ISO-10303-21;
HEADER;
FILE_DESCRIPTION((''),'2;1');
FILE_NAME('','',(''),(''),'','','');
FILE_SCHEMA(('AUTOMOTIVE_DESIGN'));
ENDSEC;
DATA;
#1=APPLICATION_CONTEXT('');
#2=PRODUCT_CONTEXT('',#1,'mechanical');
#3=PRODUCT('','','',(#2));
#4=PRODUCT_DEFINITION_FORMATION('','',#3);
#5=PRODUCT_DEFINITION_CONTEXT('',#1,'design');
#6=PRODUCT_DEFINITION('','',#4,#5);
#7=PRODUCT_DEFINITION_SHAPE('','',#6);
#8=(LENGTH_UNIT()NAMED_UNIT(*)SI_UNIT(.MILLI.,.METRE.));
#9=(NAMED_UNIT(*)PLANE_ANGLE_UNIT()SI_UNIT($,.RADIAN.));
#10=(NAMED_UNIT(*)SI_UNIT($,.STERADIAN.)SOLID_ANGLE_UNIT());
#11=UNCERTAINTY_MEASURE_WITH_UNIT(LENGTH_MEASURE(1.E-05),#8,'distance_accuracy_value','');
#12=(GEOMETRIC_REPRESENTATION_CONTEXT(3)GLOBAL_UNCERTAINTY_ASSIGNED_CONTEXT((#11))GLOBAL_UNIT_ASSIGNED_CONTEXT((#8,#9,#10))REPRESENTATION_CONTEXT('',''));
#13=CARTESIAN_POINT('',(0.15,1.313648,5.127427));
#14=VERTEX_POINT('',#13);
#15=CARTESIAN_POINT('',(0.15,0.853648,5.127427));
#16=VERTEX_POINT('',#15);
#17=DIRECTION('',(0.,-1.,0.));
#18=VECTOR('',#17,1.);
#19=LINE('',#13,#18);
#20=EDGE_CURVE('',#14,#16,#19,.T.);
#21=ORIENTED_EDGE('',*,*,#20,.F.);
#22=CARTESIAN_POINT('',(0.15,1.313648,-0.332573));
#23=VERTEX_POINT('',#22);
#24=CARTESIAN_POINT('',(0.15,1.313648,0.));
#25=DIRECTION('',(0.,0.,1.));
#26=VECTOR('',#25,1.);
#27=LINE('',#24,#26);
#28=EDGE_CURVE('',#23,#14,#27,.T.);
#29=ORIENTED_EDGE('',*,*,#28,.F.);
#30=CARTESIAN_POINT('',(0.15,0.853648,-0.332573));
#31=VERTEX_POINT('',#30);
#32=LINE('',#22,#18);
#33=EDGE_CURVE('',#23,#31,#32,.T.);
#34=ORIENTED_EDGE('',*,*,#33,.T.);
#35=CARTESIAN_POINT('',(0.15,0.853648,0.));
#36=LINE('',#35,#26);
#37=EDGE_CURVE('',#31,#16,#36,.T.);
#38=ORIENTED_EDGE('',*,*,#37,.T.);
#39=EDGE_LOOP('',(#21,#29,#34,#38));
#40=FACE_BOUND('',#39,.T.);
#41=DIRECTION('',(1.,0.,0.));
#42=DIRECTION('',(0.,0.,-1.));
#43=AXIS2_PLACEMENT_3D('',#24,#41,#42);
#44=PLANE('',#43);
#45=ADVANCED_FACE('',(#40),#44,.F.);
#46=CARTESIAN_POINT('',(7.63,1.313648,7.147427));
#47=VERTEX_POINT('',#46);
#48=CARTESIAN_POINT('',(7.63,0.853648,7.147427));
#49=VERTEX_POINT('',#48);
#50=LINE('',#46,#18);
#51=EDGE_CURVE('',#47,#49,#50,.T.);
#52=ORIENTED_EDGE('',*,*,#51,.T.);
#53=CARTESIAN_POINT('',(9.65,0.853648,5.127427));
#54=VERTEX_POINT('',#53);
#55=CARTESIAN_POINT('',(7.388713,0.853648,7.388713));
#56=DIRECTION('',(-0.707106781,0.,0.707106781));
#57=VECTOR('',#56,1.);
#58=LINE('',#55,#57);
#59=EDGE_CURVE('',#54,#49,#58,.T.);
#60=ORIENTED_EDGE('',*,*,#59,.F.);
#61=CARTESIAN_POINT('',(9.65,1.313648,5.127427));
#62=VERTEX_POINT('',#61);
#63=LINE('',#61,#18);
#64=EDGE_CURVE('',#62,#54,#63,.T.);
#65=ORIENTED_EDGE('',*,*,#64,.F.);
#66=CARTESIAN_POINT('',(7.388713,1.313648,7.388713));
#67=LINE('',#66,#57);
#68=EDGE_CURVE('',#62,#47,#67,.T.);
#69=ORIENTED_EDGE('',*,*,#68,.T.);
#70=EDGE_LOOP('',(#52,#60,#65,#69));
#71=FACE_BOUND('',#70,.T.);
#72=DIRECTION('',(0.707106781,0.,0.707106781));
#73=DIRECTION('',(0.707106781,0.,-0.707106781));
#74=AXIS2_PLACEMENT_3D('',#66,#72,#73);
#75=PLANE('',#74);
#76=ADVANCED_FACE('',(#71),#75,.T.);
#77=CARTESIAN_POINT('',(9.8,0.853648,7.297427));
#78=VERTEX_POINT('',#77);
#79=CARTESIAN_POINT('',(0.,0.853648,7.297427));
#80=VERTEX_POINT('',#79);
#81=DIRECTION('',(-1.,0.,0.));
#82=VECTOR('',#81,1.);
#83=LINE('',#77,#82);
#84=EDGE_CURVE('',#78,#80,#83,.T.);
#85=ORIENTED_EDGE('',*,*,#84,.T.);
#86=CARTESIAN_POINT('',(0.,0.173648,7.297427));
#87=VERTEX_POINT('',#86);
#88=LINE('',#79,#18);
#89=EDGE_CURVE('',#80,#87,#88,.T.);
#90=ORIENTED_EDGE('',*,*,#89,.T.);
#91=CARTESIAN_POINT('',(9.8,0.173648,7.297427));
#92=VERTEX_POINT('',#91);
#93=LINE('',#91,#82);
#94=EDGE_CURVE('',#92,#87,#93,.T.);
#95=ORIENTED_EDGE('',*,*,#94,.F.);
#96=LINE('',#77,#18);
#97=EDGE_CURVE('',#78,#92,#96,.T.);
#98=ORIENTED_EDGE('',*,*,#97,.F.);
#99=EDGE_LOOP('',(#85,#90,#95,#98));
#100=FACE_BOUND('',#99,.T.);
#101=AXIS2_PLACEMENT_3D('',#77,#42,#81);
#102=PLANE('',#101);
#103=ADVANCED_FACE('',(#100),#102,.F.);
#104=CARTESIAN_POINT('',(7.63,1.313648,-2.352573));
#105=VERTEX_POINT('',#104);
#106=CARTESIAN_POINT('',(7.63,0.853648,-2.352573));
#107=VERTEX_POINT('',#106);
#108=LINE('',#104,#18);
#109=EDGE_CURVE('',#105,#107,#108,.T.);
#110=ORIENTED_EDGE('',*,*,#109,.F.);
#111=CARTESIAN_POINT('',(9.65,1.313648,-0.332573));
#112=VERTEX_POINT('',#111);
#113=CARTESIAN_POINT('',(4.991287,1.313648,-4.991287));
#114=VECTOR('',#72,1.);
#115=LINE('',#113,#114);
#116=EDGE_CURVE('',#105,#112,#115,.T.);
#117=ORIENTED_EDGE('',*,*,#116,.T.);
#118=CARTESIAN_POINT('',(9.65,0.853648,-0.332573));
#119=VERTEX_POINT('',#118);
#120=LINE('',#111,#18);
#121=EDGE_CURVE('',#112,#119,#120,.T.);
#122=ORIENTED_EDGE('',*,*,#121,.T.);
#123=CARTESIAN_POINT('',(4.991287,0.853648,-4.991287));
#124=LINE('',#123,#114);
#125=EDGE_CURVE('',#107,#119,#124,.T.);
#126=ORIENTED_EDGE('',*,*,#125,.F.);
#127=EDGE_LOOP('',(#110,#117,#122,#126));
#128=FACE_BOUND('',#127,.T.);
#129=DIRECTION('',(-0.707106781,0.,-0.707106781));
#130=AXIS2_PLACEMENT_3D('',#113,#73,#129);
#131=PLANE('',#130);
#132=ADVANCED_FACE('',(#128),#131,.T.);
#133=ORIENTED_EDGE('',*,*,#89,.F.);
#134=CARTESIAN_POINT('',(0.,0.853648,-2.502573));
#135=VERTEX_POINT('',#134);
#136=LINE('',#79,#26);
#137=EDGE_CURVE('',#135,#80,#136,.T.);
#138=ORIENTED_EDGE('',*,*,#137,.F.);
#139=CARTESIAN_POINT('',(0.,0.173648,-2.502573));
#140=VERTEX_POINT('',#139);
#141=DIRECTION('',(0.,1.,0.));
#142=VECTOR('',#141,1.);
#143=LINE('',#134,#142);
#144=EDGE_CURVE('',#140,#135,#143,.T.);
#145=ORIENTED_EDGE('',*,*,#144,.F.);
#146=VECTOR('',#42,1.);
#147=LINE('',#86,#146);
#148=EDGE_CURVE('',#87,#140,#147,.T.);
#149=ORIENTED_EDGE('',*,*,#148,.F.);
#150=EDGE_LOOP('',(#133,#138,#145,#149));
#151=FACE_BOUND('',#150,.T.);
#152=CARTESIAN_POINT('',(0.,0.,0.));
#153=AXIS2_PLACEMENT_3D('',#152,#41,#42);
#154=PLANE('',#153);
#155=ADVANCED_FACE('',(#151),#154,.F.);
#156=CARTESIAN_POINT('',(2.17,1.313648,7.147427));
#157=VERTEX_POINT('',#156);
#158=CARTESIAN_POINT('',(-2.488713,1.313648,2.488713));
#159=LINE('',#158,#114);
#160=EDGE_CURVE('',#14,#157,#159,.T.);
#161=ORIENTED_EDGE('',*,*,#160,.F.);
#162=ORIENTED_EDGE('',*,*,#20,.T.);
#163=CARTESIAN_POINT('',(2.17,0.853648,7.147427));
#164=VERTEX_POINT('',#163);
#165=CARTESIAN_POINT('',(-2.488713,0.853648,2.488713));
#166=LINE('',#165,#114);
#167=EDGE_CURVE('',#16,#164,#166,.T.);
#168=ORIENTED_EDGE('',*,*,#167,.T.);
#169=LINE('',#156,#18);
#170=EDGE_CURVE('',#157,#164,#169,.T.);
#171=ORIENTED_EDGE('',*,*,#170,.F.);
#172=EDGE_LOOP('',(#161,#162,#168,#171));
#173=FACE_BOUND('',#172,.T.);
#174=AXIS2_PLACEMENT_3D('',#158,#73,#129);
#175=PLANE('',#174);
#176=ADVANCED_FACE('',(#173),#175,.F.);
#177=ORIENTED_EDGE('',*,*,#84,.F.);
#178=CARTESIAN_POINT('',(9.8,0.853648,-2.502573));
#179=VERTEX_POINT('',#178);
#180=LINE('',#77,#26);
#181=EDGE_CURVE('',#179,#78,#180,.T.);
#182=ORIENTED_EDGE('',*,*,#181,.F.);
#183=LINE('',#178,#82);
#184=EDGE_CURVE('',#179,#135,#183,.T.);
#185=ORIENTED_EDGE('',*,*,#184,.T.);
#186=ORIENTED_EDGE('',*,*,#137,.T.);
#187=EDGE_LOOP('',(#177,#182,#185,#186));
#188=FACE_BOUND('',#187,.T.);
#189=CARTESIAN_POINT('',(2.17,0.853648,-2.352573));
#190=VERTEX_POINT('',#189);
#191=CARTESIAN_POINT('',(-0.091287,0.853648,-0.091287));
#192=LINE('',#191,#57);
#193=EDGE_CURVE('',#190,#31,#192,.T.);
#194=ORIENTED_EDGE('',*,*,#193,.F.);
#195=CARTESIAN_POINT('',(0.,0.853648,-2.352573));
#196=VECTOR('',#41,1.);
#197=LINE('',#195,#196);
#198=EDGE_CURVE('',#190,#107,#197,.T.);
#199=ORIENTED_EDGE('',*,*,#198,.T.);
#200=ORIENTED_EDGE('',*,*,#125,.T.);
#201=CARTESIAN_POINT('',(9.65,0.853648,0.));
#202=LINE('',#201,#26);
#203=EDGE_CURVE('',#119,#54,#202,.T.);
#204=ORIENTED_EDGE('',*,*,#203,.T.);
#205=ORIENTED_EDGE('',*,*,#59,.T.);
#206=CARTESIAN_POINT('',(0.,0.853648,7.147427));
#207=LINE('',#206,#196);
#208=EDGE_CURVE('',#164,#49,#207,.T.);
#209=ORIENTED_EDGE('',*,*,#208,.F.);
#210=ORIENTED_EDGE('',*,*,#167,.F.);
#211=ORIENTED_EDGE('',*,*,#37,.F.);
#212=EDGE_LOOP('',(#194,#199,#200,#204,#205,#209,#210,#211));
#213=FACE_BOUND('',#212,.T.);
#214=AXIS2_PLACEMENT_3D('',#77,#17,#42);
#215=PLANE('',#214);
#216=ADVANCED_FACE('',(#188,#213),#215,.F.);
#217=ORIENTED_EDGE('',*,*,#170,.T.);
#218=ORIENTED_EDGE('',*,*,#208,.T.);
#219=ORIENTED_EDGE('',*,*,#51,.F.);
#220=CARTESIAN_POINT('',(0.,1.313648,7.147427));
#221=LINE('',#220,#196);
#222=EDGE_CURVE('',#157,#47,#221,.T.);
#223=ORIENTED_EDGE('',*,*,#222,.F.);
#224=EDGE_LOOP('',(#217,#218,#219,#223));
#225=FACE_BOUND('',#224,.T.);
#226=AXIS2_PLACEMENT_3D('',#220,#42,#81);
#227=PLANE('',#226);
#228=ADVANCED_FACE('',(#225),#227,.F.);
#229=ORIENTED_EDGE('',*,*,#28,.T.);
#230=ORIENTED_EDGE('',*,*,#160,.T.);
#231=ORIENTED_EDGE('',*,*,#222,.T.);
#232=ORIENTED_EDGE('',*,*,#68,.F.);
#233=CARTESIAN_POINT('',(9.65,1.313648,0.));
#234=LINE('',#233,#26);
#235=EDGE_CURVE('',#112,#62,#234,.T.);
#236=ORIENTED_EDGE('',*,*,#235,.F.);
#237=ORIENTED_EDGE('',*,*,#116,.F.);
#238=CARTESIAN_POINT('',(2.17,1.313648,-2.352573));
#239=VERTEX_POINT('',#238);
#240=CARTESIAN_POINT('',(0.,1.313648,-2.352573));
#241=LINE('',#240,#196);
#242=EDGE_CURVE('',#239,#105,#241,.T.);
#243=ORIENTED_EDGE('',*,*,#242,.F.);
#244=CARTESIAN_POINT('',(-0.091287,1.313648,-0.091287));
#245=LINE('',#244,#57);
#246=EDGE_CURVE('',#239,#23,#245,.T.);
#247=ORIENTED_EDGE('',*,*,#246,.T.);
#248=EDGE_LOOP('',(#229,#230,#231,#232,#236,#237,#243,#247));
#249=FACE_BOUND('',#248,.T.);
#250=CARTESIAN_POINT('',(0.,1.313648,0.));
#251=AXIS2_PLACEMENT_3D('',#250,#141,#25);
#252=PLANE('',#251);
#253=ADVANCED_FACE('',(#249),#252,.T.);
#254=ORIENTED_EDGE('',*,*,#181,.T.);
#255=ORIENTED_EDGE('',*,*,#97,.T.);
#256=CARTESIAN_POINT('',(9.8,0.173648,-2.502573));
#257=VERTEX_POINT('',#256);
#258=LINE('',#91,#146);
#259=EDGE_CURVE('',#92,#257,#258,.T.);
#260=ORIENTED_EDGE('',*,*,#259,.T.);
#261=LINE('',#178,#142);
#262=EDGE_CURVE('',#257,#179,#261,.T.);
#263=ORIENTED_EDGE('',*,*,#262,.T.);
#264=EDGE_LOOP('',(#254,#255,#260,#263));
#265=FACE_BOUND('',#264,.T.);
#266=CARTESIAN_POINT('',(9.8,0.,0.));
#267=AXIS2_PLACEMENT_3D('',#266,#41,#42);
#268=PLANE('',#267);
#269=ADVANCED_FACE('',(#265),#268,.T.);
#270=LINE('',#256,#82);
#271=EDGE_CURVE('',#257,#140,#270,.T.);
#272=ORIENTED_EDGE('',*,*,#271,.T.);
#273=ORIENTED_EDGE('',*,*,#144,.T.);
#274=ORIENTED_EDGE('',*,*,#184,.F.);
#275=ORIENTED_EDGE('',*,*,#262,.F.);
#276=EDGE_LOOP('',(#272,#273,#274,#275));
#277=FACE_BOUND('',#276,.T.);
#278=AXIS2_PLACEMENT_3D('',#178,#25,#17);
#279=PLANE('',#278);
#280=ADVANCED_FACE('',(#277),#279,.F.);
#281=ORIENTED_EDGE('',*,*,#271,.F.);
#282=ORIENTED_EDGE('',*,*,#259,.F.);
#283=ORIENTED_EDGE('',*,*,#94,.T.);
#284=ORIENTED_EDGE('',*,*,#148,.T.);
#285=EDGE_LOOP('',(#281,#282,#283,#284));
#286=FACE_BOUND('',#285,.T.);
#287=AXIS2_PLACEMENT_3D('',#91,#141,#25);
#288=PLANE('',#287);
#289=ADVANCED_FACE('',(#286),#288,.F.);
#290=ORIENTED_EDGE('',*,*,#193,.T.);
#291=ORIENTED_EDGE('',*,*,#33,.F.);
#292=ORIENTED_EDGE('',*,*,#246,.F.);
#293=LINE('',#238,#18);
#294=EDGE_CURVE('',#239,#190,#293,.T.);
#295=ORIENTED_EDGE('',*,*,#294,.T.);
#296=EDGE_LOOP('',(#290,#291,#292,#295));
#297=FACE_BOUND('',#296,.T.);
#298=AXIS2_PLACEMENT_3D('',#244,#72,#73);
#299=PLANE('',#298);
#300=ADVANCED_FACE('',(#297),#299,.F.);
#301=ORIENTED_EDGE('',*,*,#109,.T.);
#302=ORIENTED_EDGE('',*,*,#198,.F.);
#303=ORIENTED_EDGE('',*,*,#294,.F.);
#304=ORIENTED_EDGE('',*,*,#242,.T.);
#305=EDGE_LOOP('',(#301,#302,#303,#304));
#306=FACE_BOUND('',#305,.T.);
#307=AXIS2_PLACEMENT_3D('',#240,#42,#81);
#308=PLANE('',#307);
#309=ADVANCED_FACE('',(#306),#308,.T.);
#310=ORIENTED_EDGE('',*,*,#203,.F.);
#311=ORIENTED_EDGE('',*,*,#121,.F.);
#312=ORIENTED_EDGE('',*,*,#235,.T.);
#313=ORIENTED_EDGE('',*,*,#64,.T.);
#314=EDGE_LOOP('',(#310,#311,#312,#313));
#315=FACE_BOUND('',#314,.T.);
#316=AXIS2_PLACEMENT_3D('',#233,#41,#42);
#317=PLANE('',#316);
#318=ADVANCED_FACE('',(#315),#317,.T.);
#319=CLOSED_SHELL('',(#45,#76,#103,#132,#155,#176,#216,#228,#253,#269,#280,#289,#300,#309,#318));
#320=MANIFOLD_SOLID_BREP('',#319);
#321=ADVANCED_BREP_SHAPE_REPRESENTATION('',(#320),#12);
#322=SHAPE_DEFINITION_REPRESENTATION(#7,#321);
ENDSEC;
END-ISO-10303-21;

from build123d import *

# Parameters (mm, degrees)
SKETCH_1_W      = 9.8
SKETCH_1_H      = 0.68
EXTRUDE_1_DEPTH = 9.8
EXTRUDE_2_DEPTH = 0.46


with BuildPart() as part:
    # Эскиз1 → Бобышка-Вытянуть1 (new body)
    with BuildSketch(Plane(origin=(0, 0, 0), x_dir=(0, 0, -1), z_dir=(1, 0, 0))):
        with Locations((-2.397426888, 0.51364793)):
            Rectangle(SKETCH_1_W, SKETCH_1_H)
    extrude(amount=EXTRUDE_1_DEPTH)

    # Эскиз3 → Бобышка-Вытянуть2 (add)
    with BuildSketch(Plane(origin=(0, 0.85364793, 0), x_dir=(1, 0, 0), z_dir=(0, 1, 0))):
        Polygon((7.63, 2.352573112), (2.17, 2.352573112), (0.15, 0.332573112), (0.15, -5.127426888), (2.17, -7.147426888), (7.63, -7.147426888), (9.65, -5.127426888), (9.65, 0.332573112), align=None)
    extrude(amount=EXTRUDE_2_DEPTH)


solid = part.part
